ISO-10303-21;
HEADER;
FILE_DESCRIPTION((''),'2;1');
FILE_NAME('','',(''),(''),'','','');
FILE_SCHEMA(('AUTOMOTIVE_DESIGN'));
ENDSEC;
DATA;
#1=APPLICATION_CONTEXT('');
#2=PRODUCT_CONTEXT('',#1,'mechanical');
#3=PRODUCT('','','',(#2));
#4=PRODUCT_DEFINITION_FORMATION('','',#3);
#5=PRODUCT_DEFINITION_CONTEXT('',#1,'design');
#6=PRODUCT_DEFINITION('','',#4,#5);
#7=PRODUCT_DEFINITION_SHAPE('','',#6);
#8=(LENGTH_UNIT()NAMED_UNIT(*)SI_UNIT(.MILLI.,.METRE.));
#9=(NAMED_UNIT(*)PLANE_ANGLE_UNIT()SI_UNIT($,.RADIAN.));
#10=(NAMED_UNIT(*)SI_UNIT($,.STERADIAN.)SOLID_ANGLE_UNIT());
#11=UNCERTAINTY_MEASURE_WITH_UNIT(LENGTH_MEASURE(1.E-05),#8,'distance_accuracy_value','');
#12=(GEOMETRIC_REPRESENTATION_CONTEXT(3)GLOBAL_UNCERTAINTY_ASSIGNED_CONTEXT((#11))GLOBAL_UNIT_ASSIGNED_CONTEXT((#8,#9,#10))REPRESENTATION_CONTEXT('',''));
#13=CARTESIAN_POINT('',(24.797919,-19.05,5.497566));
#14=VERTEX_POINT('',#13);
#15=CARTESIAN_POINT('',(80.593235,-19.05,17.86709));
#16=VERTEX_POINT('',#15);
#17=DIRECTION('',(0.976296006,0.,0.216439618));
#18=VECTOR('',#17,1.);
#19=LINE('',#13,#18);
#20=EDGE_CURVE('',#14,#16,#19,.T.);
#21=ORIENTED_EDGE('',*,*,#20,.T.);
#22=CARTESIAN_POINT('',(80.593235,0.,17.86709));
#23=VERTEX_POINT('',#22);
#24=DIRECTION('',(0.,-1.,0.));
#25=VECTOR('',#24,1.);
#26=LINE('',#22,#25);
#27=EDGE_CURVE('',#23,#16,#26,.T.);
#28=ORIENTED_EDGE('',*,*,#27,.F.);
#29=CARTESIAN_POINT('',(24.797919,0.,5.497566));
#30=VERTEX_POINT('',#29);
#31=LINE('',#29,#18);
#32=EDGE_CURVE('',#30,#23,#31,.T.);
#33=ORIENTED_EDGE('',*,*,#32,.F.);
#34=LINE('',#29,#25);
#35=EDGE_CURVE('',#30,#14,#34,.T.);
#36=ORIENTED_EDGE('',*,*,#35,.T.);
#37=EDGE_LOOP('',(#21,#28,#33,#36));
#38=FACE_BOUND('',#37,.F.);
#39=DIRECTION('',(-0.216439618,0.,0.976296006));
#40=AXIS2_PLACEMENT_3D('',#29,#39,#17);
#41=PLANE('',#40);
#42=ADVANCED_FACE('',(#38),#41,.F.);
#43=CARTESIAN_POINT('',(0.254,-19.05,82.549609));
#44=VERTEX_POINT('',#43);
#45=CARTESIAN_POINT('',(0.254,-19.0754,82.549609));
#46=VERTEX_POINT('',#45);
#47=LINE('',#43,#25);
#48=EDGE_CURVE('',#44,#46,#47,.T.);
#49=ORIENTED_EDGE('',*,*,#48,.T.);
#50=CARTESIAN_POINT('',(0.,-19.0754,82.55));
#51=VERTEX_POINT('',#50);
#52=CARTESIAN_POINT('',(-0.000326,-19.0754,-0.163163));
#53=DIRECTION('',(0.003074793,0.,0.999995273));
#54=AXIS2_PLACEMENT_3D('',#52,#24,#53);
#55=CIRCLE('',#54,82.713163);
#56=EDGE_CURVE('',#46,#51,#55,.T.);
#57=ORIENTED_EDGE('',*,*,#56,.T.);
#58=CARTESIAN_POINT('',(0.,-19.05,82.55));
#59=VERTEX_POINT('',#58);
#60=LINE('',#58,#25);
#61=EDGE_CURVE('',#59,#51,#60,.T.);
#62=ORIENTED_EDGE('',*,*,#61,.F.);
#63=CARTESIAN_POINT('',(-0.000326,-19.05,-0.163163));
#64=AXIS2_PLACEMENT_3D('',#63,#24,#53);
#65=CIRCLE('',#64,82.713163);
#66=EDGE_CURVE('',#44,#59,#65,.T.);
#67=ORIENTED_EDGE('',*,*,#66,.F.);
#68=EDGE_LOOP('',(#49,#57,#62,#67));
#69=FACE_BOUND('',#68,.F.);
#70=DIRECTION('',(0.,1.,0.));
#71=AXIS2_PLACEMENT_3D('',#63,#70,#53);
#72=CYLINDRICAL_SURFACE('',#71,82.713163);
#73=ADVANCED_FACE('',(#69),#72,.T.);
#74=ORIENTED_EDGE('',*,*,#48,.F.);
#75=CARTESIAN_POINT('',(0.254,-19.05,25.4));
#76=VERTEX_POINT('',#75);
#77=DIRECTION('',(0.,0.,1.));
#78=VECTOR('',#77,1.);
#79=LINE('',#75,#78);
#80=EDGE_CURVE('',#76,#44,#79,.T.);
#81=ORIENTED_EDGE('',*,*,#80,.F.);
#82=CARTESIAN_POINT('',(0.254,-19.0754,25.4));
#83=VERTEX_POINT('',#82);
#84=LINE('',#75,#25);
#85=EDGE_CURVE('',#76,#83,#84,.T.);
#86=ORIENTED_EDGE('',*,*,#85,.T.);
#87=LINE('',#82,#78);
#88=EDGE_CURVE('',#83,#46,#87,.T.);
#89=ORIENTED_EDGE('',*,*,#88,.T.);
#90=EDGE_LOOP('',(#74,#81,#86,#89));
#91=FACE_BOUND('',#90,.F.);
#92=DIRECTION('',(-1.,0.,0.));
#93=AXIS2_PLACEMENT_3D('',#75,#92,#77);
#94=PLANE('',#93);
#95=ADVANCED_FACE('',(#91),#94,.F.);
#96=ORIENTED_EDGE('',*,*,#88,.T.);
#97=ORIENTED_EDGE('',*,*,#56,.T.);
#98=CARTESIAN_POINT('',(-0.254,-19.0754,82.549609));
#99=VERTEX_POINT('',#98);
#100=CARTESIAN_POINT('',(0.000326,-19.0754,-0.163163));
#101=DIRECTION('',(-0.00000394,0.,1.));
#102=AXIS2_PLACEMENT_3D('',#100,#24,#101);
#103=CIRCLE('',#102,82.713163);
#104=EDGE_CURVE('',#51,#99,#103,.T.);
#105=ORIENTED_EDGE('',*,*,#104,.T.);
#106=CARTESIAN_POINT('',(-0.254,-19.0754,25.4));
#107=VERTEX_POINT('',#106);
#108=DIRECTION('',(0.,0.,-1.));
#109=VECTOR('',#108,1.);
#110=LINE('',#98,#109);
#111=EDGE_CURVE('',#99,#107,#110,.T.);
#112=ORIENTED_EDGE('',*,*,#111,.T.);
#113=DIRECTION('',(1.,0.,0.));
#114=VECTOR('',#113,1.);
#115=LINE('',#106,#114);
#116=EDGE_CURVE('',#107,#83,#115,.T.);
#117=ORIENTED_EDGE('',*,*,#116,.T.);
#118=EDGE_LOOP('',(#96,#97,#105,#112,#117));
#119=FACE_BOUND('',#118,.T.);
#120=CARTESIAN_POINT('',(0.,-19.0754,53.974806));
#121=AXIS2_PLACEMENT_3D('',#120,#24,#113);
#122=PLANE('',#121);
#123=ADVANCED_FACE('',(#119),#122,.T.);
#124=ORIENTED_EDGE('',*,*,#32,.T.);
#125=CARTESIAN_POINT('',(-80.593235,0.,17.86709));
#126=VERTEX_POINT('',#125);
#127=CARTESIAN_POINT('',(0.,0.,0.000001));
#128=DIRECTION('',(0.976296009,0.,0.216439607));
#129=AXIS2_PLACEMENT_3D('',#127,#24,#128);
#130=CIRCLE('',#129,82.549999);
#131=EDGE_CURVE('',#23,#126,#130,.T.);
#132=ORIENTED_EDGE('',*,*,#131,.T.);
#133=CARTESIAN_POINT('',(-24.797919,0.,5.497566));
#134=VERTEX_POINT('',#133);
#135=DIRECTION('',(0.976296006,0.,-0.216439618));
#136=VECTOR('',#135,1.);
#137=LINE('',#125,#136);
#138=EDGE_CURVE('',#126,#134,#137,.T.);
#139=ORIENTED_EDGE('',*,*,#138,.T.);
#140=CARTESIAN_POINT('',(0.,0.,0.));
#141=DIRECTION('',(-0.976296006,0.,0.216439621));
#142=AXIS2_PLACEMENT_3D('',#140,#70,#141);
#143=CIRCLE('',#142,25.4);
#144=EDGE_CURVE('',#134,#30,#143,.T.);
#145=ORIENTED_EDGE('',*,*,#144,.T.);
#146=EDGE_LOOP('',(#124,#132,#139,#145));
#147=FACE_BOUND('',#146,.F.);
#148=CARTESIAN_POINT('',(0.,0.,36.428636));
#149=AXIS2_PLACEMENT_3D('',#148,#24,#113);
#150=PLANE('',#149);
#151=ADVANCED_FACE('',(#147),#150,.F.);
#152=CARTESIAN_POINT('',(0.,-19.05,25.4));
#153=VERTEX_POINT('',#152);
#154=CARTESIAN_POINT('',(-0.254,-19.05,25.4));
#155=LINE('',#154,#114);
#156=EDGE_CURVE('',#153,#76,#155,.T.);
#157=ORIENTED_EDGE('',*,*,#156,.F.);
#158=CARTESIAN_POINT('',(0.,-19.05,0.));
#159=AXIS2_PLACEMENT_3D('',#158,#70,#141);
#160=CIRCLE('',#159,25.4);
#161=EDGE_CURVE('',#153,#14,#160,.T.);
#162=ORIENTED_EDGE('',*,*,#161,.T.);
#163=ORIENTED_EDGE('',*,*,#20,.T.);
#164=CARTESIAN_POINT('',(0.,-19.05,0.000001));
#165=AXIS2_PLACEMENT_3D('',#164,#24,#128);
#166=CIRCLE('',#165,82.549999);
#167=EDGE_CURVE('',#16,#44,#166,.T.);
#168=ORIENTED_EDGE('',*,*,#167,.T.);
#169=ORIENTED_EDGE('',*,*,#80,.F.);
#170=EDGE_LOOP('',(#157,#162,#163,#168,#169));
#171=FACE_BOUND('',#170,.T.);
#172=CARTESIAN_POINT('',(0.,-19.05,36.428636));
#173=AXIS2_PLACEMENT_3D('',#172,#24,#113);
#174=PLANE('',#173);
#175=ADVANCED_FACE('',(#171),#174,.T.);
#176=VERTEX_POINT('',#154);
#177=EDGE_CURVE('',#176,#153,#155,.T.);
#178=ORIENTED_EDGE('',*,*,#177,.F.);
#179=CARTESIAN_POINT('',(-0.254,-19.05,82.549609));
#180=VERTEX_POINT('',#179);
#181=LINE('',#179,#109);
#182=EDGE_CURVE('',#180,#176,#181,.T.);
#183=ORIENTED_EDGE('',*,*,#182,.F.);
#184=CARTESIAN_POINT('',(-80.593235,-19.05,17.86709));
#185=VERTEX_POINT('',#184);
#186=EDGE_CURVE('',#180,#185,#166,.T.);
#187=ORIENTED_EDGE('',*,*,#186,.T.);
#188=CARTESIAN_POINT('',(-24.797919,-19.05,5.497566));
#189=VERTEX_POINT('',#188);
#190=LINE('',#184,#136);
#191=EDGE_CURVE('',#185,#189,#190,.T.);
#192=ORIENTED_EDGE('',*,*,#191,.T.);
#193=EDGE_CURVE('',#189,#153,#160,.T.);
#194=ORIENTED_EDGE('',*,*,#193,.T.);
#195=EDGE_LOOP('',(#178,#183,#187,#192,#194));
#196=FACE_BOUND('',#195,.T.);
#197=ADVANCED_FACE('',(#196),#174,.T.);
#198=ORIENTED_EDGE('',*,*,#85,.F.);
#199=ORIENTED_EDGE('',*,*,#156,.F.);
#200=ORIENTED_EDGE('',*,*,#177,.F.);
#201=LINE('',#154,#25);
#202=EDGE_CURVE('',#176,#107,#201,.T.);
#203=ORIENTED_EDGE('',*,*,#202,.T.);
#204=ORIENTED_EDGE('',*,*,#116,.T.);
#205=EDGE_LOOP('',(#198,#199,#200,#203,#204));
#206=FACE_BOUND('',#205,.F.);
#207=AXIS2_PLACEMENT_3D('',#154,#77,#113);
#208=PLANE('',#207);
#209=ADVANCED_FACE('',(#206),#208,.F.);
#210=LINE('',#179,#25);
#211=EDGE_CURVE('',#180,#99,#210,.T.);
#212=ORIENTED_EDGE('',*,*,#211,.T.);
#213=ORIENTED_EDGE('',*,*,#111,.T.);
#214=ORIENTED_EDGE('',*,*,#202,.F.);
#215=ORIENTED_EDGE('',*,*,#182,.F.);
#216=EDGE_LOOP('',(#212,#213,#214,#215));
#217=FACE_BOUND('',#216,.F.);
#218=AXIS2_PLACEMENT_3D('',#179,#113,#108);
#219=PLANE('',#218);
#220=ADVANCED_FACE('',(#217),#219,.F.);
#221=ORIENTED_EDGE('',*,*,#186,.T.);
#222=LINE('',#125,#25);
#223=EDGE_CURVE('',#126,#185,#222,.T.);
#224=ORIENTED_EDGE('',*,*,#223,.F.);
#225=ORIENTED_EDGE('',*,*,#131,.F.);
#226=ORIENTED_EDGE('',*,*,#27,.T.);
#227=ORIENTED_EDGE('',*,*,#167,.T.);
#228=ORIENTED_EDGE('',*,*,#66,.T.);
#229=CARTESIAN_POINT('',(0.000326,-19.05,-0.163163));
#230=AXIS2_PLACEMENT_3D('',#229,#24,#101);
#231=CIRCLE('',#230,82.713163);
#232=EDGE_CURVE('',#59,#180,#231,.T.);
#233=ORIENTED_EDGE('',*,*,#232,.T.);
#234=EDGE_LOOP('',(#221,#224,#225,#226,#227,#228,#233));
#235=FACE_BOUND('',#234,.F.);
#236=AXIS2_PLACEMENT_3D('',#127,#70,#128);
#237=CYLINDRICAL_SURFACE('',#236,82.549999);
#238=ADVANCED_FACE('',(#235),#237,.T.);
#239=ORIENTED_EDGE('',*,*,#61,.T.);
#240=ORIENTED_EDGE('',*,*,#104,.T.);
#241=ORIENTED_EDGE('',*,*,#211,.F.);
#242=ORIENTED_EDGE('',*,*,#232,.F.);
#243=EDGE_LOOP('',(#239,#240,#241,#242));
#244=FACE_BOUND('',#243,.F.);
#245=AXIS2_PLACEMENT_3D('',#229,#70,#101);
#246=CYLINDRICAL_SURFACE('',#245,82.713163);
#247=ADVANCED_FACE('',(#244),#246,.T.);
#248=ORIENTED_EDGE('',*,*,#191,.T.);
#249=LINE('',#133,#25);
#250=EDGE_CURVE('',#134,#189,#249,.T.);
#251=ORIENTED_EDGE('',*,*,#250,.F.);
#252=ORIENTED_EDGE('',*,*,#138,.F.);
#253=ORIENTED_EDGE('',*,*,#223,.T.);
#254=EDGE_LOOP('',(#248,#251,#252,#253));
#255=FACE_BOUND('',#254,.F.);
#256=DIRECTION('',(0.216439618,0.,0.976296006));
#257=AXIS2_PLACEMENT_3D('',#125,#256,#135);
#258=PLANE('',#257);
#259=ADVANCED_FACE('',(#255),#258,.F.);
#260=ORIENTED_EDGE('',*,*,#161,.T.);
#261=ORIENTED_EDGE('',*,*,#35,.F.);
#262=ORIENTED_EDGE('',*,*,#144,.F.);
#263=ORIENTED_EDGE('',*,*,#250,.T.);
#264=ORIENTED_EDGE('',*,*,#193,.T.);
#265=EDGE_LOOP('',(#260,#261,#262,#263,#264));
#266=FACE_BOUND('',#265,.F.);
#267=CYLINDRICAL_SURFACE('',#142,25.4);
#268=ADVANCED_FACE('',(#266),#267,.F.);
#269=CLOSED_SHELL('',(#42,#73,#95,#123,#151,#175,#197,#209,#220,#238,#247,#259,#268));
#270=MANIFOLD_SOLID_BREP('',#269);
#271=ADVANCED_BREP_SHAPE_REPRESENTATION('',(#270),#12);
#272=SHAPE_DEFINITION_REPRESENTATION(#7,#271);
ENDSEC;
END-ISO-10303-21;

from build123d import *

# Parameters (mm, degrees)
F1_DEPTH = 19.05
F3_DEPTH = 0.0254


with BuildPart() as f1:
    # F0 (on Front) → F1 (new body)
    with BuildSketch(Plane.XZ):
        with BuildLine():
            ThreePointArc((-24.797919, 5.497566), (0, 25.4), (24.797919, 5.497566))
            Line((24.797919, 5.497566), (80.593235, 17.86709))
            ThreePointArc((80.593235, 17.86709), (0, 82.55), (-80.593235, 17.86709))
            Line((-80.593235, 17.86709), (-24.797919, 5.497566))
        make_face()
    extrude(amount=F1_DEPTH)

    # F2 (on face) → F3 (join)
    with BuildSketch(Plane.XZ.offset(19.05)):
        with BuildLine():
            Line((-0.254, 25.4), (0, 25.4))
            Line((0, 25.4), (0.254, 25.4))
            Line((0.254, 25.4), (0.254, 82.549609))
            ThreePointArc((0.254, 82.549609), (0.127, 82.549902), (0, 82.55))
            ThreePointArc((0, 82.55), (-0.127, 82.549902), (-0.254, 82.549609))
            Line((-0.254, 82.549609), (-0.254, 25.4))
        make_face()
    extrude(amount=F3_DEPTH)


solid = f1.part
